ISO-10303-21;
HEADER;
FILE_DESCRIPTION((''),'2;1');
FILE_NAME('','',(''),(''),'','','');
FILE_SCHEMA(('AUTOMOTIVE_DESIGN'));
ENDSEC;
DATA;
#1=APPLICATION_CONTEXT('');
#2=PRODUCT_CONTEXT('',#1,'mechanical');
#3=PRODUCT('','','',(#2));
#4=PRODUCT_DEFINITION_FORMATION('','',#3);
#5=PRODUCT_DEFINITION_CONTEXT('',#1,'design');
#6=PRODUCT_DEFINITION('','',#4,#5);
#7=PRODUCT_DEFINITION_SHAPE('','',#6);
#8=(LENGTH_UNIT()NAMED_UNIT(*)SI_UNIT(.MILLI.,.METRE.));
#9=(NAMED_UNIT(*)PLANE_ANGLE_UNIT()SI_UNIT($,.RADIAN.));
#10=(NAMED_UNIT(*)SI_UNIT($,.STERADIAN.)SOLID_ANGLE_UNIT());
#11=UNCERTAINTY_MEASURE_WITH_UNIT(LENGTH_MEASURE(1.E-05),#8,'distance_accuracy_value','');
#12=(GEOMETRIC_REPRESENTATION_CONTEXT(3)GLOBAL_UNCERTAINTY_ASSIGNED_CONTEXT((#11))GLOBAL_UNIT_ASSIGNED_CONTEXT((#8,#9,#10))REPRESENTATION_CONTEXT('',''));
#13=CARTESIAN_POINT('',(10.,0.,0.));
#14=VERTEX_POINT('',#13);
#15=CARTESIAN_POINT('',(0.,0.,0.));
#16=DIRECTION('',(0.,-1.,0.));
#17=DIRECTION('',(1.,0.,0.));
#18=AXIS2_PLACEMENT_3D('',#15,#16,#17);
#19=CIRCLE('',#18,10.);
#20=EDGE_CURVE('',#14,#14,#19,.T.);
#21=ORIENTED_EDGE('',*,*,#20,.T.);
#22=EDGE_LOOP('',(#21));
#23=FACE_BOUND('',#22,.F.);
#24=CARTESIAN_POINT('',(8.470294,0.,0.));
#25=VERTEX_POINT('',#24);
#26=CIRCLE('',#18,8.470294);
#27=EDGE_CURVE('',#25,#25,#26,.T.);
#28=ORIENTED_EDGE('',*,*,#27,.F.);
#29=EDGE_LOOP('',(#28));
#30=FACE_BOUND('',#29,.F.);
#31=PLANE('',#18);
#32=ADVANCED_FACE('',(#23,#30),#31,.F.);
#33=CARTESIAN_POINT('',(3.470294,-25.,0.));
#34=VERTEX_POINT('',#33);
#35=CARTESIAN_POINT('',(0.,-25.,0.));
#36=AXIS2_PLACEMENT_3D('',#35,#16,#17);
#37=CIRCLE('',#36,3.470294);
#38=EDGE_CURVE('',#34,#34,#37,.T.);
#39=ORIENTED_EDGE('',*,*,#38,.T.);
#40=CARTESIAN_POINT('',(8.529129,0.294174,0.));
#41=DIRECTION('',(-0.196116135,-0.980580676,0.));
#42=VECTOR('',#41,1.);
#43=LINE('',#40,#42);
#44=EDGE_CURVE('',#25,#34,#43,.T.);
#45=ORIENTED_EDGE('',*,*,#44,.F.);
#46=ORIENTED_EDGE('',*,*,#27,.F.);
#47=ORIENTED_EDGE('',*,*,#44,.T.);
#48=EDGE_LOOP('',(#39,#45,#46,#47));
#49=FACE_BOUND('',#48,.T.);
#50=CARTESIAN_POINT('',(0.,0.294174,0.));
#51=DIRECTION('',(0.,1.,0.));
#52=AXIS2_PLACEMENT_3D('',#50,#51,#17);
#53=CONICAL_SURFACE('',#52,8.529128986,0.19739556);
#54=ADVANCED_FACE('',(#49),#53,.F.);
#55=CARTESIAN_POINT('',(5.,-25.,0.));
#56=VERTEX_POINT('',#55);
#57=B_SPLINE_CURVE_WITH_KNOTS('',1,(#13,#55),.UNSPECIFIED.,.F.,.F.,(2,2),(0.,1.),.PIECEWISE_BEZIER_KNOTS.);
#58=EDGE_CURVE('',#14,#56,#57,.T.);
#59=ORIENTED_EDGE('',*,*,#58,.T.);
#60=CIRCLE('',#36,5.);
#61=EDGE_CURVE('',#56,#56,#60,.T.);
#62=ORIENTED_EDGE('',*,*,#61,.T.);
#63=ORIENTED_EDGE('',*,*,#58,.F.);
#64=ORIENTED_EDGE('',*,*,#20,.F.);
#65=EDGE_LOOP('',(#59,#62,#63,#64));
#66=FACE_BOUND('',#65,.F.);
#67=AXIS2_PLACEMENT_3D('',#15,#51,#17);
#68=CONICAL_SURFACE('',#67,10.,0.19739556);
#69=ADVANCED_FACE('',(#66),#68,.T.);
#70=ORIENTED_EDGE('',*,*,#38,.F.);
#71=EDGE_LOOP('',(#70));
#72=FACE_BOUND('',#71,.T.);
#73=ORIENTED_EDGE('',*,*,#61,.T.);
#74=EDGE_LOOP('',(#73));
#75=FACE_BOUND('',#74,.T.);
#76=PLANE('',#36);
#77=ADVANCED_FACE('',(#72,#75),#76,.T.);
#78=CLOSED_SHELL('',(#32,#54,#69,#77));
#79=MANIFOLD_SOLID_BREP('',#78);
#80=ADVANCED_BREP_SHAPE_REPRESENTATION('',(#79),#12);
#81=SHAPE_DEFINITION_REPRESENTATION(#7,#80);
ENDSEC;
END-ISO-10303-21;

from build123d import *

# Parameters (mm, degrees)
F0_R       = 10
F1_DEPTH   = 25
F1_FACE1_R = 10
F2_R       = 5
F4_T       = -1.5


with BuildPart() as f1:
    # F0 (on Front) → F1 (new body)
    with BuildSketch(Plane.XZ):
        Circle(F0_R)
    extrude(amount=F1_DEPTH)

    # F1_face1 (on face) → F3 section 0
    with BuildSketch(Plane(origin=(0, 0, 0), x_dir=(1, 0, 0), z_dir=(0, 1, 0))):
        Circle(F1_FACE1_R)
    # F2 (on face) → F3 section 1
    with BuildSketch(Plane.XZ.offset(25)):
        Circle(F2_R)
    loft(mode=Mode.INTERSECT)

    # F4
    f4_openings = [f1.faces().sort_by_distance(p)[0] for p in [
        (0, 0, 0),
        (0, -25, 0),
    ]]
    offset(amount=F4_T, openings=f4_openings, kind=Kind.INTERSECTION)


solid = f1.part
